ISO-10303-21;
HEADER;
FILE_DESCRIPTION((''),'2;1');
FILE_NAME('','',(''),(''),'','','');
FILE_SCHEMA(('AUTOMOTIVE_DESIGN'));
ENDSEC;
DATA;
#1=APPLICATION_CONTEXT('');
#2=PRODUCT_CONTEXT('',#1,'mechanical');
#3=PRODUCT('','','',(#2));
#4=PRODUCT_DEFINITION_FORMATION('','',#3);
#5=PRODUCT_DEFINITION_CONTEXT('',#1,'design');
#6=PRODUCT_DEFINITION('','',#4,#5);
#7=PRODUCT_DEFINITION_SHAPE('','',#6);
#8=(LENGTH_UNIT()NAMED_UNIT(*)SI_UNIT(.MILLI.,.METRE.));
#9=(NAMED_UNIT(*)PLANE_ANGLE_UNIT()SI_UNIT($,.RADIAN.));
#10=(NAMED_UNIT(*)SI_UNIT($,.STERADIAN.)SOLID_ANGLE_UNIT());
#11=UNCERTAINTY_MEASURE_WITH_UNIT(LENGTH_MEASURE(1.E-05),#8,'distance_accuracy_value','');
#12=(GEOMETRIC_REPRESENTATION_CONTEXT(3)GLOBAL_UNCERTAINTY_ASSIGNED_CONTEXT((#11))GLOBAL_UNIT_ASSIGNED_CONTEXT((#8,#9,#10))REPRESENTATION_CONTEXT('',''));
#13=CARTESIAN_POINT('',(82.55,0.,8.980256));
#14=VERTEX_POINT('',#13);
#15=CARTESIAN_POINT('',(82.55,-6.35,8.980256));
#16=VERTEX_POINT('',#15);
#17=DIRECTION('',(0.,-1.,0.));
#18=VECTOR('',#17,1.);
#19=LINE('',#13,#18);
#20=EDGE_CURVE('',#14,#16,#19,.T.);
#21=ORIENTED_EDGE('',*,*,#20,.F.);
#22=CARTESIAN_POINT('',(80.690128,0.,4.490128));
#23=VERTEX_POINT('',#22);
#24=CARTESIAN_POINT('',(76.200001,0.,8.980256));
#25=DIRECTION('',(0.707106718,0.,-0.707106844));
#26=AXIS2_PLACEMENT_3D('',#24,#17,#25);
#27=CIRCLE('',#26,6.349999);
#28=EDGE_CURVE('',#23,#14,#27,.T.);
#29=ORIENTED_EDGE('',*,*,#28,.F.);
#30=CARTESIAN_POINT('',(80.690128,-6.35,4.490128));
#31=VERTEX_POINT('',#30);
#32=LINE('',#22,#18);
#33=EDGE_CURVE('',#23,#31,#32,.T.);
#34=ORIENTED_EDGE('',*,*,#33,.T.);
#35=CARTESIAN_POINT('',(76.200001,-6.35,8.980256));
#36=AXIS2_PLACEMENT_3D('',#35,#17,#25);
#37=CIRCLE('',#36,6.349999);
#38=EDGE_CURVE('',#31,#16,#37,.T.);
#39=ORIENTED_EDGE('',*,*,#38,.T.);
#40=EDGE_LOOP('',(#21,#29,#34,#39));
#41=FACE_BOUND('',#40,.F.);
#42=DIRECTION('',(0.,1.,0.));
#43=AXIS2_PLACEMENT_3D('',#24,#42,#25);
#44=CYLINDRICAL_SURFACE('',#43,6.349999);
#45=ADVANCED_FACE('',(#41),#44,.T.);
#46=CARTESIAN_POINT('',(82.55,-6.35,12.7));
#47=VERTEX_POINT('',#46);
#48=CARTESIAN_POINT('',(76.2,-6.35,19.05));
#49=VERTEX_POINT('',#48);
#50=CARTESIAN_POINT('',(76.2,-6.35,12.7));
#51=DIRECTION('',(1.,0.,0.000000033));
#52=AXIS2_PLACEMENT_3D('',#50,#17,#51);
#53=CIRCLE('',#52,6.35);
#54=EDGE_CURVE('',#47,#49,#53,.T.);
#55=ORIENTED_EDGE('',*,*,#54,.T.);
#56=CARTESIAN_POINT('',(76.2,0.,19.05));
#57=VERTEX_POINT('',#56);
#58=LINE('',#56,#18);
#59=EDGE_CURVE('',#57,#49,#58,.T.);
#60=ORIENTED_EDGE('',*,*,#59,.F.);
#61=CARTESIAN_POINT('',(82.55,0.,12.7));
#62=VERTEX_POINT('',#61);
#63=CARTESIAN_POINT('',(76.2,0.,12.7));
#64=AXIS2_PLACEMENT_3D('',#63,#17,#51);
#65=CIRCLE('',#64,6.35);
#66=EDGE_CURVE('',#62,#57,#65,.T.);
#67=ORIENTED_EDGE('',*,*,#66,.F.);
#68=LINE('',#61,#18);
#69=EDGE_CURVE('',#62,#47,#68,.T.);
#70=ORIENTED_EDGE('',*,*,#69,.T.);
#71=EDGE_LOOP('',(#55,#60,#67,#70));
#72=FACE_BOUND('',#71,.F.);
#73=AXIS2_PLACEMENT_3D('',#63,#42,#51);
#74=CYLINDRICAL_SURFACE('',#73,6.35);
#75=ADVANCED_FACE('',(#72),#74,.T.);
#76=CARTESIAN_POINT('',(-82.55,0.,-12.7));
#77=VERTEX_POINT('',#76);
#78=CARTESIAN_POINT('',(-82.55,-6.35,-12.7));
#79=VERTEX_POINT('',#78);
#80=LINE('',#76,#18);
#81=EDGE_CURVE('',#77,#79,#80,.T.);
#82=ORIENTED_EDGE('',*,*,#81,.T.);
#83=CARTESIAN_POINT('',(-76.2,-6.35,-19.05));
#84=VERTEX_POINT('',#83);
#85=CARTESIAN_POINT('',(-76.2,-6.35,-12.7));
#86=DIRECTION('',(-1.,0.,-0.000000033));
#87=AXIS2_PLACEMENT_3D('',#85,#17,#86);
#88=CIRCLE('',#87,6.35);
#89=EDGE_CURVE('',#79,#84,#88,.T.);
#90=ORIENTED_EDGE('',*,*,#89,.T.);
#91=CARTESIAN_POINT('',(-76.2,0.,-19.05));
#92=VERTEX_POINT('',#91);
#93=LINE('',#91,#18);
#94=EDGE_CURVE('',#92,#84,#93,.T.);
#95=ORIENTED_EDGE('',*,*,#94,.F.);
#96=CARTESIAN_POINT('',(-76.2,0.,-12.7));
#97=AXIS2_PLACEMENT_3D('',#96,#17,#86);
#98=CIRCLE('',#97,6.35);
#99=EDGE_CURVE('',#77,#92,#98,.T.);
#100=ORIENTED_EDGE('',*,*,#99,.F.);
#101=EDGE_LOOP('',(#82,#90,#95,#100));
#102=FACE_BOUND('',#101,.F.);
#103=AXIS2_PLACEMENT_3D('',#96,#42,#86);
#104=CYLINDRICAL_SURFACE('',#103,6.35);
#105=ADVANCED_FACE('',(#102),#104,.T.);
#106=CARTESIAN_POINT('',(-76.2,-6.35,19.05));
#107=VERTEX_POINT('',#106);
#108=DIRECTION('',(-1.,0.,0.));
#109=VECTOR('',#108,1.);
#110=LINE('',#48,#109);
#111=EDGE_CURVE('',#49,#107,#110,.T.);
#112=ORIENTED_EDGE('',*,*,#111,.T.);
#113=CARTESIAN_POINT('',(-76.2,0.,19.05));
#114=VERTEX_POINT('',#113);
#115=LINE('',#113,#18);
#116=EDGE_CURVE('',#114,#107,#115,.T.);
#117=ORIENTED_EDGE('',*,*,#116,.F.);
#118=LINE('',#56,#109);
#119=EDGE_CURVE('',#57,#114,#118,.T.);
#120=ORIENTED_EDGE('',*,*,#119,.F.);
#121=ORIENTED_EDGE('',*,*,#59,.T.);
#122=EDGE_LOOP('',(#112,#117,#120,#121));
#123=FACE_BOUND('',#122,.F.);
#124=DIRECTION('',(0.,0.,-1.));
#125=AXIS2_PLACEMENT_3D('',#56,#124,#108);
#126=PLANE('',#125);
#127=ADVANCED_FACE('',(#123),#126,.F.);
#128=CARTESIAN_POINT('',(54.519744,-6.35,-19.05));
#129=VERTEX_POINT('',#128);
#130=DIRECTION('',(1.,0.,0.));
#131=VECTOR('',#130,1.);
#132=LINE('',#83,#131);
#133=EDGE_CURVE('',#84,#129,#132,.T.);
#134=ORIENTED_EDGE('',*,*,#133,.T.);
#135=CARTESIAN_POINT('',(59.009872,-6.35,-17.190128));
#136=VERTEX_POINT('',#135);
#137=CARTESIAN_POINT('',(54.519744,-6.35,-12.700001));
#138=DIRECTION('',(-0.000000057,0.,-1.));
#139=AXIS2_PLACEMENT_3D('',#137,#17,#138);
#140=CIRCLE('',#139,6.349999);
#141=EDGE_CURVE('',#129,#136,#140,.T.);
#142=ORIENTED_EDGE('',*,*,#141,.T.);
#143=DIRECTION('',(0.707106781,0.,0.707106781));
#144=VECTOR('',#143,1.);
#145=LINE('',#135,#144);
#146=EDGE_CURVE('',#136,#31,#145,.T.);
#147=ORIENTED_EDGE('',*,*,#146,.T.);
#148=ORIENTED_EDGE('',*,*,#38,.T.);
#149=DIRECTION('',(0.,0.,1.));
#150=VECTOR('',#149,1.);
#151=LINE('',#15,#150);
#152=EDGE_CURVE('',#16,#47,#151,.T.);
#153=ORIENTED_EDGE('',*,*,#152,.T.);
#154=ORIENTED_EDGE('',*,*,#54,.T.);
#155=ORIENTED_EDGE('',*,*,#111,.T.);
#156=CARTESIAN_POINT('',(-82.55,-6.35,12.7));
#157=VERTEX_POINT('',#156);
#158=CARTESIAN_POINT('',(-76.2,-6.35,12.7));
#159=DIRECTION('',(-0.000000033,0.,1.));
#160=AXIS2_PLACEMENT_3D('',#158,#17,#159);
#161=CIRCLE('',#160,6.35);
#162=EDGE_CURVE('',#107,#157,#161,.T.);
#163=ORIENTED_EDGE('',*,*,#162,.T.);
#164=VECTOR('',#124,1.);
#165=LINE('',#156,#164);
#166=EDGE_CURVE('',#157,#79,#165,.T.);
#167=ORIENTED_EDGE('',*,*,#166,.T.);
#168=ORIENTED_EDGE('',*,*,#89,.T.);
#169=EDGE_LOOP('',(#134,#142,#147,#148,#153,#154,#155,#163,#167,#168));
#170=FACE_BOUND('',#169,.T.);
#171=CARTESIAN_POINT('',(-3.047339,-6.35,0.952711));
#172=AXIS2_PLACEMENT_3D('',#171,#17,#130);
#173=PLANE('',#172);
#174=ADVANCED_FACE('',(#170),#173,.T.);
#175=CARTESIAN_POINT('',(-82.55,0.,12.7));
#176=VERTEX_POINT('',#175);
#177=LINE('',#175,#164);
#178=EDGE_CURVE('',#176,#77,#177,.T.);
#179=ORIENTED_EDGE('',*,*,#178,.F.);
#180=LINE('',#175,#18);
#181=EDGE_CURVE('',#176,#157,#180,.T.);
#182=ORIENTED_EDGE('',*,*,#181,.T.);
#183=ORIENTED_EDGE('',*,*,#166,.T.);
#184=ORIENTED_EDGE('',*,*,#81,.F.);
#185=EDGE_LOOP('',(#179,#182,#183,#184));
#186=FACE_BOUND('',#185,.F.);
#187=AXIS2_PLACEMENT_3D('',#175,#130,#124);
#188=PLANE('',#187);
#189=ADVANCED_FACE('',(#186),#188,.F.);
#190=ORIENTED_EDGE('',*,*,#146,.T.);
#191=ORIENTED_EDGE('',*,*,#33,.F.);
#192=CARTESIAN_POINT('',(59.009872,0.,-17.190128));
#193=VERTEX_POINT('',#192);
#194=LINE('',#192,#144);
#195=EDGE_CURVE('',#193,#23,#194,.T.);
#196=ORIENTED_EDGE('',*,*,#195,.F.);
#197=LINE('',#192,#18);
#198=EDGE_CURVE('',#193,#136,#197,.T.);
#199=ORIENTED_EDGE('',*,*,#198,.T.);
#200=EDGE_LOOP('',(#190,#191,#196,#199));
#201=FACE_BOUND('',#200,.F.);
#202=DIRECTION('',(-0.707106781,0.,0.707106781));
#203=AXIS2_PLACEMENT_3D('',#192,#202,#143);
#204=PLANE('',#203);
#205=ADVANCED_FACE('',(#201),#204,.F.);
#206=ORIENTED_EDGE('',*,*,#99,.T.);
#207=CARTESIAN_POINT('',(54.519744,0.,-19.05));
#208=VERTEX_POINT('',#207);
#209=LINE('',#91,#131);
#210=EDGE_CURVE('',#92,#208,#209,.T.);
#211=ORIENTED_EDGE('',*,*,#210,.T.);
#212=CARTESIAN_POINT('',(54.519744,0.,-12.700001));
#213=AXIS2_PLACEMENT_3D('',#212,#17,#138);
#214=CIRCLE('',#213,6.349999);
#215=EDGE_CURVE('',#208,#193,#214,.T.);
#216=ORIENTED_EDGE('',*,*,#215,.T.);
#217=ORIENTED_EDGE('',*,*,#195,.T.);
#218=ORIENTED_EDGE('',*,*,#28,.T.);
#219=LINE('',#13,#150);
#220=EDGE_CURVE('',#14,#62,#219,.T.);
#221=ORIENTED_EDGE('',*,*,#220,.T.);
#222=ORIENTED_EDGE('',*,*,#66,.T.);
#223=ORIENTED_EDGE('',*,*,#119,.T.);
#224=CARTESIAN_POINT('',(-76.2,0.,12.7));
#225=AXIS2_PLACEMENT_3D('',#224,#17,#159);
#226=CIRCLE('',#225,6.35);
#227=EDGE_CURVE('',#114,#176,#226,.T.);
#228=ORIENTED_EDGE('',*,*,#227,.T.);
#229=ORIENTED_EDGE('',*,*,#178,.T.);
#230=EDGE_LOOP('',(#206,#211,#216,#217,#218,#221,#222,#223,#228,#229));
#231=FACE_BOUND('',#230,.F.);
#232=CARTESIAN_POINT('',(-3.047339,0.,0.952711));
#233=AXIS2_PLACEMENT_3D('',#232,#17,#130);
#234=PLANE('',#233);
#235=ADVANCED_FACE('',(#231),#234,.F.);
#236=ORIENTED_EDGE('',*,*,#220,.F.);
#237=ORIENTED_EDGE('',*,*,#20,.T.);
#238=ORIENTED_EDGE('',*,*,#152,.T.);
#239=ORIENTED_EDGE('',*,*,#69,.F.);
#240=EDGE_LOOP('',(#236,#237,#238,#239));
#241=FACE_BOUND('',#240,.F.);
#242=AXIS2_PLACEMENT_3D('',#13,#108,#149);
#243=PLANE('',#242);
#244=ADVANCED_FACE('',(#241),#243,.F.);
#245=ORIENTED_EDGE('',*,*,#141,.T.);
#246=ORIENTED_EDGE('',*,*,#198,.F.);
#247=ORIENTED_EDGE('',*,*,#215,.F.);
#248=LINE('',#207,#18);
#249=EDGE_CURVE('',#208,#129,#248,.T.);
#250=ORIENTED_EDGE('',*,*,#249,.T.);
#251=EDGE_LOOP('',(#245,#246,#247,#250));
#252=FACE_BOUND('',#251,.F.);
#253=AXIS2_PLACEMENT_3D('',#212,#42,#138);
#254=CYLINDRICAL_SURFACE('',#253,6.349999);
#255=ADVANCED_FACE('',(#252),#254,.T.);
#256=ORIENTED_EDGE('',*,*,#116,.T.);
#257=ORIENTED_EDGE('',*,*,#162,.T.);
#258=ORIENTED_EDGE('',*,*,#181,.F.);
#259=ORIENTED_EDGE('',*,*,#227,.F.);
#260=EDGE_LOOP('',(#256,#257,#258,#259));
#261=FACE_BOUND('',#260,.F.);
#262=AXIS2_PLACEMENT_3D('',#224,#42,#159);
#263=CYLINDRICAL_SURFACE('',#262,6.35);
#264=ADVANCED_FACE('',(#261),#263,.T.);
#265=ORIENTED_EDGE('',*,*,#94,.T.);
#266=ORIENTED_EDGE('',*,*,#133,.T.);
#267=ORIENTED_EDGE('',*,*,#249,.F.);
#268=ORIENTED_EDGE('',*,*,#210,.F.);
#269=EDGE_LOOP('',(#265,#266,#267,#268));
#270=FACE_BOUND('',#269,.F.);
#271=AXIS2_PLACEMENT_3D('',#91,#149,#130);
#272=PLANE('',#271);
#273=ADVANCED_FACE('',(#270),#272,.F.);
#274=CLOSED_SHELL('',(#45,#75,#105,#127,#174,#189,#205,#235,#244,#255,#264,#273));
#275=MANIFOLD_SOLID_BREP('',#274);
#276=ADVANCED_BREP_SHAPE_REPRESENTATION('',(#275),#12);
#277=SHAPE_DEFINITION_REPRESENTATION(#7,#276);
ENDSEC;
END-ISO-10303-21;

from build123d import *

# Parameters (mm, degrees)
F1_DEPTH = 6.35


with BuildPart() as f1:
    # F0 (on Front) → F1 (new body)
    with BuildSketch(Plane.XZ):
        with BuildLine():
            ThreePointArc((82.55, 12.7), (80.690128, 17.190128), (76.2, 19.05))
            Line((76.2, 19.05), (-76.2, 19.05))
            ThreePointArc((-76.2, 19.05), (-80.690128, 17.190128), (-82.55, 12.7))
            Line((-82.55, 12.7), (-82.55, -12.7))
            ThreePointArc((-82.55, -12.7), (-80.690128, -17.190128), (-76.2, -19.05))
            Line((-76.2, -19.05), (54.519744, -19.05))
            ThreePointArc((54.519744, -19.05), (56.949784, -18.566635), (59.009872, -17.190128))
            Line((59.009872, -17.190128), (80.690128, 4.490128))
            ThreePointArc((80.690128, 4.490128), (82.066635, 6.550216), (82.55, 8.980256))
            Line((82.55, 8.980256), (82.55, 12.7))
        make_face()
    extrude(amount=F1_DEPTH)


solid = f1.part
